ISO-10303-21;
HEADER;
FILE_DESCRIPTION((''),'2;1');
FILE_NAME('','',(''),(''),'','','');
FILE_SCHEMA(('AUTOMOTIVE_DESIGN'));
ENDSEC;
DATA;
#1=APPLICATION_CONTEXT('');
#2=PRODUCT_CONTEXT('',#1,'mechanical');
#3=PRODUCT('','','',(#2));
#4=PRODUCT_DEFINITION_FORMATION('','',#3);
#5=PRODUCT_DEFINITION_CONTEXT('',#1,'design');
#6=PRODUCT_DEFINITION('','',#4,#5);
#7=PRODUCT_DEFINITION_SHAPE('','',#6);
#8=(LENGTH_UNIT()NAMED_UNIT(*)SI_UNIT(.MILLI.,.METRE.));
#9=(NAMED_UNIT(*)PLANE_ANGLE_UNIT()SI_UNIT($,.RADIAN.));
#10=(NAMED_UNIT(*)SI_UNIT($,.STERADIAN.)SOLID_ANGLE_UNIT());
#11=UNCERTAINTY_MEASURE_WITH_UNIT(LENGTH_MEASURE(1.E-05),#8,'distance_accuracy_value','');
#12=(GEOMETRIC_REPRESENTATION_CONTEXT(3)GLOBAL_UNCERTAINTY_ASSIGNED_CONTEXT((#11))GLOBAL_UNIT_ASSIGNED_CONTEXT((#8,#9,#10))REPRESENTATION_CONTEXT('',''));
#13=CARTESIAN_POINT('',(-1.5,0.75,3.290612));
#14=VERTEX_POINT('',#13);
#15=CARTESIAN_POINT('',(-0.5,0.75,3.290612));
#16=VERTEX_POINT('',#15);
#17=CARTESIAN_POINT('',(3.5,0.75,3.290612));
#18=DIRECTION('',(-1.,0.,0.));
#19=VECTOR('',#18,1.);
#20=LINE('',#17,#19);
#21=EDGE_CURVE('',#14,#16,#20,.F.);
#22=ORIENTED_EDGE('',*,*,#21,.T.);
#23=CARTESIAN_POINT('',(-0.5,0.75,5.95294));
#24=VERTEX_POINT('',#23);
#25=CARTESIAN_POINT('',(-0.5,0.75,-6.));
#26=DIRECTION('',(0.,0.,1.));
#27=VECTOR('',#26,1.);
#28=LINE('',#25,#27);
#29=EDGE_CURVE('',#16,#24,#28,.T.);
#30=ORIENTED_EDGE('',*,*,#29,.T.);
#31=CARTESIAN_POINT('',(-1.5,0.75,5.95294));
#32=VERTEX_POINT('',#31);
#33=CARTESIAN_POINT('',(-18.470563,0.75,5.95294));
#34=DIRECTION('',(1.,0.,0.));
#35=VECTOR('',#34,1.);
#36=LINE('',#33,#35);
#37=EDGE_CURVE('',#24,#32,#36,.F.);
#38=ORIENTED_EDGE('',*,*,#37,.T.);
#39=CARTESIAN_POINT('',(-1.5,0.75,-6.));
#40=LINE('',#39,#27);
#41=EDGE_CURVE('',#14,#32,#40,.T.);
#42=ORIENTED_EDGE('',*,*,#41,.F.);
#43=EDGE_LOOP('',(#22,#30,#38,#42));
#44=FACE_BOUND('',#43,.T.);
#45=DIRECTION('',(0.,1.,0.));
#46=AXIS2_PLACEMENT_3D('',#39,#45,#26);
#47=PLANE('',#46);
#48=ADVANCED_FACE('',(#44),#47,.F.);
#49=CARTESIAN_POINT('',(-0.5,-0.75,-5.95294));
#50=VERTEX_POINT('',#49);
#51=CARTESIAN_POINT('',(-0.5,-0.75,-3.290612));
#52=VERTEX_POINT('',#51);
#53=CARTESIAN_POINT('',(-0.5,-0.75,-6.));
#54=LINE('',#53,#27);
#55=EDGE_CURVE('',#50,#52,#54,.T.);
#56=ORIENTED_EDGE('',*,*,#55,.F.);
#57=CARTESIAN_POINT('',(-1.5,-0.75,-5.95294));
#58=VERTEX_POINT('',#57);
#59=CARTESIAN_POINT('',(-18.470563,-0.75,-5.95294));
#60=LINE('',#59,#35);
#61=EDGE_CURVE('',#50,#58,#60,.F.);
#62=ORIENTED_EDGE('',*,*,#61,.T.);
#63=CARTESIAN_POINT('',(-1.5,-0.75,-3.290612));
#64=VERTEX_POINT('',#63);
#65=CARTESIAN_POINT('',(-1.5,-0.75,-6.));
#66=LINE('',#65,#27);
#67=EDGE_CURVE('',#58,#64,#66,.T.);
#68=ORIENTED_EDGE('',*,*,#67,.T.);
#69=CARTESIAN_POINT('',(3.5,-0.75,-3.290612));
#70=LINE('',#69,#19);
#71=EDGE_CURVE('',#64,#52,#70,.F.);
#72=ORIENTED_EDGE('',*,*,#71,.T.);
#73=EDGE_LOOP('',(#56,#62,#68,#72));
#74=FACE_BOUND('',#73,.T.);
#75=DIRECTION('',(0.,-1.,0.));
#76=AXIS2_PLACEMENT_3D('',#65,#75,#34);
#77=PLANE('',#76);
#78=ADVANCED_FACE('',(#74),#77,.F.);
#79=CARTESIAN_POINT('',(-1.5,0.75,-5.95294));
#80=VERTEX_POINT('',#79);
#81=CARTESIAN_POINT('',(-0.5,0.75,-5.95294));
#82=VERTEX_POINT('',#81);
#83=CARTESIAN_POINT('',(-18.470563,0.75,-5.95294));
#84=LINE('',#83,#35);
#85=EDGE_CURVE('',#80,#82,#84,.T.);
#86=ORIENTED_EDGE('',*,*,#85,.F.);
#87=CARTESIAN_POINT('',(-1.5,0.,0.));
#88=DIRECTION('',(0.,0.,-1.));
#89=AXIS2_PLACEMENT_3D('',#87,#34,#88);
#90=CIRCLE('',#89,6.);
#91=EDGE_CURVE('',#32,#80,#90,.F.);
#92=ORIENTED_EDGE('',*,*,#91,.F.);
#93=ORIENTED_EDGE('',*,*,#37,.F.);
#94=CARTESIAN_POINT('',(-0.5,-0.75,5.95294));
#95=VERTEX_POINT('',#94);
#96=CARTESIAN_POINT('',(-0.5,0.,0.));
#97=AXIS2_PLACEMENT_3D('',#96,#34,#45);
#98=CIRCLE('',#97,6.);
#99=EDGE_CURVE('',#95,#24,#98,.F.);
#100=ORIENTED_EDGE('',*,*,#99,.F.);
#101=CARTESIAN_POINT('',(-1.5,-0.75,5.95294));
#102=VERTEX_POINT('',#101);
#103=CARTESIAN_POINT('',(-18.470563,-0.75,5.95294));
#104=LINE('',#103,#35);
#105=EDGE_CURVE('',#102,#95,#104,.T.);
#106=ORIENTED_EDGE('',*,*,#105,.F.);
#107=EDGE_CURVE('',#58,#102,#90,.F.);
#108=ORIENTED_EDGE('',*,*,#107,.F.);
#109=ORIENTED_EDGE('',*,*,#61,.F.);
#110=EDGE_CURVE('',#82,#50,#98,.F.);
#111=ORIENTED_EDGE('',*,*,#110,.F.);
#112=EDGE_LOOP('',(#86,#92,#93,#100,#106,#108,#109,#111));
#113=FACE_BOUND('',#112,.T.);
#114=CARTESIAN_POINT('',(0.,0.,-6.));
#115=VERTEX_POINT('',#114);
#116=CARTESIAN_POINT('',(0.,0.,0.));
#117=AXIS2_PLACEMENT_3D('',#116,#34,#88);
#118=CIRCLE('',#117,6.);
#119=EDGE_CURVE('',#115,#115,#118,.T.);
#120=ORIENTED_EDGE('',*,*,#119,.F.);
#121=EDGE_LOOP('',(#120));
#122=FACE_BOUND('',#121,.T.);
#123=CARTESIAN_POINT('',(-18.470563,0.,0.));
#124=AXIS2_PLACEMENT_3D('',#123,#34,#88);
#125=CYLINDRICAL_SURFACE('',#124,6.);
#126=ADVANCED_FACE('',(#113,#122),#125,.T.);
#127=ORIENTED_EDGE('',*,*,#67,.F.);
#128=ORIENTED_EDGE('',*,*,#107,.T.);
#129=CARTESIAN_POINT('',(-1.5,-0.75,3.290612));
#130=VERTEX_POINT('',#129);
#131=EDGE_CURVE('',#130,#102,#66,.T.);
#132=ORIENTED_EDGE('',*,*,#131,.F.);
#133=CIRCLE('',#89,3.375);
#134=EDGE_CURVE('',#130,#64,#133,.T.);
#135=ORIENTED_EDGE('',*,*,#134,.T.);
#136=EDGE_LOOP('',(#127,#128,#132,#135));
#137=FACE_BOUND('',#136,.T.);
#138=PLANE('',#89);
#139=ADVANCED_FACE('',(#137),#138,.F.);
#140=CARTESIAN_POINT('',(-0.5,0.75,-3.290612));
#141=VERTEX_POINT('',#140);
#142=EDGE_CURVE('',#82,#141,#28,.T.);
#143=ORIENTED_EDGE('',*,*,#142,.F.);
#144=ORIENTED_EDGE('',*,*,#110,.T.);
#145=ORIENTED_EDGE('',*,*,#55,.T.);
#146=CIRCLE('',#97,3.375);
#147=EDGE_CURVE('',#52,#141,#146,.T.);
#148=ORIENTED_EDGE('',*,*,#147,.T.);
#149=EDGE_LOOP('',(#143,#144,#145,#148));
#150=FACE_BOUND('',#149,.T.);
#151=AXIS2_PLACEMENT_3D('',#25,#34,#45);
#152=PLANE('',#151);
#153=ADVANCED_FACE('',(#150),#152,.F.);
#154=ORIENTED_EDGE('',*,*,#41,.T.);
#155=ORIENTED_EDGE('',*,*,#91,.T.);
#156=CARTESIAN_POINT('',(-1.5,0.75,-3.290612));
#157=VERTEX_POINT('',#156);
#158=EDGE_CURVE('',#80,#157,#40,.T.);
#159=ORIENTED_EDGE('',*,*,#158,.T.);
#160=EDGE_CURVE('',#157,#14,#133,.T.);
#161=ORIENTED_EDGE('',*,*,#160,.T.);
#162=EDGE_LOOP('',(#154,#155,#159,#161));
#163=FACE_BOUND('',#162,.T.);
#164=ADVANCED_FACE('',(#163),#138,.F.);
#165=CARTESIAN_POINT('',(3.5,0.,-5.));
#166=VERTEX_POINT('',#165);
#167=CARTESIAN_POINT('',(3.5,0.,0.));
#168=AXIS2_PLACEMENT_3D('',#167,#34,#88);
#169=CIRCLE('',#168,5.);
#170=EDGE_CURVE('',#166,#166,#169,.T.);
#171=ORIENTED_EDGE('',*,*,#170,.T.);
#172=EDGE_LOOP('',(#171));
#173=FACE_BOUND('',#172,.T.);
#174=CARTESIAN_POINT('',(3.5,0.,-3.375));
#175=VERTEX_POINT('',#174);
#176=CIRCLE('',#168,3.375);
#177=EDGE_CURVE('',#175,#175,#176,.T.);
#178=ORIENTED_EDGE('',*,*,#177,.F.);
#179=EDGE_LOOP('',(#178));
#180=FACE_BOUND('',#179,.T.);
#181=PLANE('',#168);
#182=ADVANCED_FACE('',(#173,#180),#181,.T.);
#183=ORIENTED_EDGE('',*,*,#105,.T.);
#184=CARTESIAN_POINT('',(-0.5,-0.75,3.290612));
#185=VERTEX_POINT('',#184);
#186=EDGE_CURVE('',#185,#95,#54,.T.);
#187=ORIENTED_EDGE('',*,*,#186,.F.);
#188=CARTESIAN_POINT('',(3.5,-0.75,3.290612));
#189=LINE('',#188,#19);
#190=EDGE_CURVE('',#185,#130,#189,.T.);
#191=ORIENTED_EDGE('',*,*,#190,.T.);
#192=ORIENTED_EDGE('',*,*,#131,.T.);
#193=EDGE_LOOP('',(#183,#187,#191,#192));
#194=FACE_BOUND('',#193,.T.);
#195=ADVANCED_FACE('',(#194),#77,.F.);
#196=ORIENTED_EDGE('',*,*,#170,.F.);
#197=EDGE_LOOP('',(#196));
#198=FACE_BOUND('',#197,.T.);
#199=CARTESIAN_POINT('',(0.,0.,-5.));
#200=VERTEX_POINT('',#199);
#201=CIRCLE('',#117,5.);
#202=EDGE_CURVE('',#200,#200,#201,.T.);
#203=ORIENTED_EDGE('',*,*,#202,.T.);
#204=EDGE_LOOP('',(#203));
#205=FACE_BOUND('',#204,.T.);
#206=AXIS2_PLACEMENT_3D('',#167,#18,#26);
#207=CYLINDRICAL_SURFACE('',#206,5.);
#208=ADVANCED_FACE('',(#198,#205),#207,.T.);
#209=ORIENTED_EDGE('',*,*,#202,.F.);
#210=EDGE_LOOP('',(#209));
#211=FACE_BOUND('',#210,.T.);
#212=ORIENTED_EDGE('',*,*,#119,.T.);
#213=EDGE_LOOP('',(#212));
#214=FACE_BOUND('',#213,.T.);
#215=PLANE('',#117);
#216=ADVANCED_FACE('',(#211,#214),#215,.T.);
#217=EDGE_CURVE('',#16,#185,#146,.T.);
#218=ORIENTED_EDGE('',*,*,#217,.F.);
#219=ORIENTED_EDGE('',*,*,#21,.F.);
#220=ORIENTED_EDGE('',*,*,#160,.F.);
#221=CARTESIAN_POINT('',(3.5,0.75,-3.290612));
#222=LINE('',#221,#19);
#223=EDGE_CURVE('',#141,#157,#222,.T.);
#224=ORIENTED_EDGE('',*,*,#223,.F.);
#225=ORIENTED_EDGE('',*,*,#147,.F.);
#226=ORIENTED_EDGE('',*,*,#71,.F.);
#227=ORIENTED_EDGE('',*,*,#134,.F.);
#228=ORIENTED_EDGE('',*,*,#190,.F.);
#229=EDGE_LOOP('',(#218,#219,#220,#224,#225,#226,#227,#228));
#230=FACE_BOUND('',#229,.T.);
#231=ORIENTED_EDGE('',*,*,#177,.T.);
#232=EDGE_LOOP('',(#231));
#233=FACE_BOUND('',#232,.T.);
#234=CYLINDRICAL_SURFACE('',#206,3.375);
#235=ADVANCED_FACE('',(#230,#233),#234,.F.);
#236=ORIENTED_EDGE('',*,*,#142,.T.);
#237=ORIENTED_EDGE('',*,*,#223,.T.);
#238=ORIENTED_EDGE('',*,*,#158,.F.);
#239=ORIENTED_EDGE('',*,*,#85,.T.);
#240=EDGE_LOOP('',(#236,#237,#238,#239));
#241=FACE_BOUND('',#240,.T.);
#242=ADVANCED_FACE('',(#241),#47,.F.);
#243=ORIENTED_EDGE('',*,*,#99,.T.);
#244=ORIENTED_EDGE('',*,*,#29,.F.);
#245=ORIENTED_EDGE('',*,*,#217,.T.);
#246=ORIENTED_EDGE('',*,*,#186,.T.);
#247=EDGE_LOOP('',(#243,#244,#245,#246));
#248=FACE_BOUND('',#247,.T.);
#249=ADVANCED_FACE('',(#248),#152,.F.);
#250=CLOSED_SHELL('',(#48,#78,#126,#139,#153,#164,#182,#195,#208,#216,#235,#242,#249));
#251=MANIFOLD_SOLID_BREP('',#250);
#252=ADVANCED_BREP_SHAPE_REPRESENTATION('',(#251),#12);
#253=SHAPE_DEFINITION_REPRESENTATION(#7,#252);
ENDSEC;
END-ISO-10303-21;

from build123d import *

# Parameters (mm, degrees)
ESQUISSE1_R                  = 5
ESQUISSE1_R_2                = 3.375
EXTRUSION1_DEPTH             = 3.5
EXTRUSION1_DEPTH_BACK        = 1.5
ESQUISSE2_R                  = 6
ESQUISSE2_R_2                = 3.375
EXTRUSION2_DEPTH             = 1.5
ESQUISSE3_W                  = 1
ESQUISSE3_H                  = 1.5
ENL_V_MAT_EXTRU_1_DEPTH      = 7
ENL_V_MAT_EXTRU_1_DEPTH_BACK = 7


with BuildPart() as part:
    # Esquisse1 → Extrusion1 (new body, two sides)
    with BuildSketch(Plane(origin=(0, 0, 0), x_dir=(0, 0, -1), z_dir=(1, 0, 0))) as extrusion1_sk:
        Circle(ESQUISSE1_R)
        Circle(ESQUISSE1_R_2, mode=Mode.SUBTRACT)
    extrude(amount=EXTRUSION1_DEPTH)
    extrude(extrusion1_sk.sketch, amount=-EXTRUSION1_DEPTH_BACK)

    # Esquisse2 → Extrusion2 (add)
    with BuildSketch(Plane(origin=(0, 0, 0), x_dir=(0, 0, -1), z_dir=(1, 0, 0))):
        Circle(ESQUISSE2_R)
        Circle(ESQUISSE2_R_2, mode=Mode.SUBTRACT)
    extrude(amount=-EXTRUSION2_DEPTH)

    # Esquisse3 → Enlèv. mat.-Extru.1 (cut, two sides)
    with BuildSketch(Plane.XY) as enl_v_mat_extru_1_sk:
        with Locations((-1, 0)):
            Rectangle(ESQUISSE3_W, ESQUISSE3_H)
    extrude(amount=ENL_V_MAT_EXTRU_1_DEPTH, mode=Mode.SUBTRACT)
    extrude(enl_v_mat_extru_1_sk.sketch, amount=-ENL_V_MAT_EXTRU_1_DEPTH_BACK, mode=Mode.SUBTRACT)


solid = part.part
